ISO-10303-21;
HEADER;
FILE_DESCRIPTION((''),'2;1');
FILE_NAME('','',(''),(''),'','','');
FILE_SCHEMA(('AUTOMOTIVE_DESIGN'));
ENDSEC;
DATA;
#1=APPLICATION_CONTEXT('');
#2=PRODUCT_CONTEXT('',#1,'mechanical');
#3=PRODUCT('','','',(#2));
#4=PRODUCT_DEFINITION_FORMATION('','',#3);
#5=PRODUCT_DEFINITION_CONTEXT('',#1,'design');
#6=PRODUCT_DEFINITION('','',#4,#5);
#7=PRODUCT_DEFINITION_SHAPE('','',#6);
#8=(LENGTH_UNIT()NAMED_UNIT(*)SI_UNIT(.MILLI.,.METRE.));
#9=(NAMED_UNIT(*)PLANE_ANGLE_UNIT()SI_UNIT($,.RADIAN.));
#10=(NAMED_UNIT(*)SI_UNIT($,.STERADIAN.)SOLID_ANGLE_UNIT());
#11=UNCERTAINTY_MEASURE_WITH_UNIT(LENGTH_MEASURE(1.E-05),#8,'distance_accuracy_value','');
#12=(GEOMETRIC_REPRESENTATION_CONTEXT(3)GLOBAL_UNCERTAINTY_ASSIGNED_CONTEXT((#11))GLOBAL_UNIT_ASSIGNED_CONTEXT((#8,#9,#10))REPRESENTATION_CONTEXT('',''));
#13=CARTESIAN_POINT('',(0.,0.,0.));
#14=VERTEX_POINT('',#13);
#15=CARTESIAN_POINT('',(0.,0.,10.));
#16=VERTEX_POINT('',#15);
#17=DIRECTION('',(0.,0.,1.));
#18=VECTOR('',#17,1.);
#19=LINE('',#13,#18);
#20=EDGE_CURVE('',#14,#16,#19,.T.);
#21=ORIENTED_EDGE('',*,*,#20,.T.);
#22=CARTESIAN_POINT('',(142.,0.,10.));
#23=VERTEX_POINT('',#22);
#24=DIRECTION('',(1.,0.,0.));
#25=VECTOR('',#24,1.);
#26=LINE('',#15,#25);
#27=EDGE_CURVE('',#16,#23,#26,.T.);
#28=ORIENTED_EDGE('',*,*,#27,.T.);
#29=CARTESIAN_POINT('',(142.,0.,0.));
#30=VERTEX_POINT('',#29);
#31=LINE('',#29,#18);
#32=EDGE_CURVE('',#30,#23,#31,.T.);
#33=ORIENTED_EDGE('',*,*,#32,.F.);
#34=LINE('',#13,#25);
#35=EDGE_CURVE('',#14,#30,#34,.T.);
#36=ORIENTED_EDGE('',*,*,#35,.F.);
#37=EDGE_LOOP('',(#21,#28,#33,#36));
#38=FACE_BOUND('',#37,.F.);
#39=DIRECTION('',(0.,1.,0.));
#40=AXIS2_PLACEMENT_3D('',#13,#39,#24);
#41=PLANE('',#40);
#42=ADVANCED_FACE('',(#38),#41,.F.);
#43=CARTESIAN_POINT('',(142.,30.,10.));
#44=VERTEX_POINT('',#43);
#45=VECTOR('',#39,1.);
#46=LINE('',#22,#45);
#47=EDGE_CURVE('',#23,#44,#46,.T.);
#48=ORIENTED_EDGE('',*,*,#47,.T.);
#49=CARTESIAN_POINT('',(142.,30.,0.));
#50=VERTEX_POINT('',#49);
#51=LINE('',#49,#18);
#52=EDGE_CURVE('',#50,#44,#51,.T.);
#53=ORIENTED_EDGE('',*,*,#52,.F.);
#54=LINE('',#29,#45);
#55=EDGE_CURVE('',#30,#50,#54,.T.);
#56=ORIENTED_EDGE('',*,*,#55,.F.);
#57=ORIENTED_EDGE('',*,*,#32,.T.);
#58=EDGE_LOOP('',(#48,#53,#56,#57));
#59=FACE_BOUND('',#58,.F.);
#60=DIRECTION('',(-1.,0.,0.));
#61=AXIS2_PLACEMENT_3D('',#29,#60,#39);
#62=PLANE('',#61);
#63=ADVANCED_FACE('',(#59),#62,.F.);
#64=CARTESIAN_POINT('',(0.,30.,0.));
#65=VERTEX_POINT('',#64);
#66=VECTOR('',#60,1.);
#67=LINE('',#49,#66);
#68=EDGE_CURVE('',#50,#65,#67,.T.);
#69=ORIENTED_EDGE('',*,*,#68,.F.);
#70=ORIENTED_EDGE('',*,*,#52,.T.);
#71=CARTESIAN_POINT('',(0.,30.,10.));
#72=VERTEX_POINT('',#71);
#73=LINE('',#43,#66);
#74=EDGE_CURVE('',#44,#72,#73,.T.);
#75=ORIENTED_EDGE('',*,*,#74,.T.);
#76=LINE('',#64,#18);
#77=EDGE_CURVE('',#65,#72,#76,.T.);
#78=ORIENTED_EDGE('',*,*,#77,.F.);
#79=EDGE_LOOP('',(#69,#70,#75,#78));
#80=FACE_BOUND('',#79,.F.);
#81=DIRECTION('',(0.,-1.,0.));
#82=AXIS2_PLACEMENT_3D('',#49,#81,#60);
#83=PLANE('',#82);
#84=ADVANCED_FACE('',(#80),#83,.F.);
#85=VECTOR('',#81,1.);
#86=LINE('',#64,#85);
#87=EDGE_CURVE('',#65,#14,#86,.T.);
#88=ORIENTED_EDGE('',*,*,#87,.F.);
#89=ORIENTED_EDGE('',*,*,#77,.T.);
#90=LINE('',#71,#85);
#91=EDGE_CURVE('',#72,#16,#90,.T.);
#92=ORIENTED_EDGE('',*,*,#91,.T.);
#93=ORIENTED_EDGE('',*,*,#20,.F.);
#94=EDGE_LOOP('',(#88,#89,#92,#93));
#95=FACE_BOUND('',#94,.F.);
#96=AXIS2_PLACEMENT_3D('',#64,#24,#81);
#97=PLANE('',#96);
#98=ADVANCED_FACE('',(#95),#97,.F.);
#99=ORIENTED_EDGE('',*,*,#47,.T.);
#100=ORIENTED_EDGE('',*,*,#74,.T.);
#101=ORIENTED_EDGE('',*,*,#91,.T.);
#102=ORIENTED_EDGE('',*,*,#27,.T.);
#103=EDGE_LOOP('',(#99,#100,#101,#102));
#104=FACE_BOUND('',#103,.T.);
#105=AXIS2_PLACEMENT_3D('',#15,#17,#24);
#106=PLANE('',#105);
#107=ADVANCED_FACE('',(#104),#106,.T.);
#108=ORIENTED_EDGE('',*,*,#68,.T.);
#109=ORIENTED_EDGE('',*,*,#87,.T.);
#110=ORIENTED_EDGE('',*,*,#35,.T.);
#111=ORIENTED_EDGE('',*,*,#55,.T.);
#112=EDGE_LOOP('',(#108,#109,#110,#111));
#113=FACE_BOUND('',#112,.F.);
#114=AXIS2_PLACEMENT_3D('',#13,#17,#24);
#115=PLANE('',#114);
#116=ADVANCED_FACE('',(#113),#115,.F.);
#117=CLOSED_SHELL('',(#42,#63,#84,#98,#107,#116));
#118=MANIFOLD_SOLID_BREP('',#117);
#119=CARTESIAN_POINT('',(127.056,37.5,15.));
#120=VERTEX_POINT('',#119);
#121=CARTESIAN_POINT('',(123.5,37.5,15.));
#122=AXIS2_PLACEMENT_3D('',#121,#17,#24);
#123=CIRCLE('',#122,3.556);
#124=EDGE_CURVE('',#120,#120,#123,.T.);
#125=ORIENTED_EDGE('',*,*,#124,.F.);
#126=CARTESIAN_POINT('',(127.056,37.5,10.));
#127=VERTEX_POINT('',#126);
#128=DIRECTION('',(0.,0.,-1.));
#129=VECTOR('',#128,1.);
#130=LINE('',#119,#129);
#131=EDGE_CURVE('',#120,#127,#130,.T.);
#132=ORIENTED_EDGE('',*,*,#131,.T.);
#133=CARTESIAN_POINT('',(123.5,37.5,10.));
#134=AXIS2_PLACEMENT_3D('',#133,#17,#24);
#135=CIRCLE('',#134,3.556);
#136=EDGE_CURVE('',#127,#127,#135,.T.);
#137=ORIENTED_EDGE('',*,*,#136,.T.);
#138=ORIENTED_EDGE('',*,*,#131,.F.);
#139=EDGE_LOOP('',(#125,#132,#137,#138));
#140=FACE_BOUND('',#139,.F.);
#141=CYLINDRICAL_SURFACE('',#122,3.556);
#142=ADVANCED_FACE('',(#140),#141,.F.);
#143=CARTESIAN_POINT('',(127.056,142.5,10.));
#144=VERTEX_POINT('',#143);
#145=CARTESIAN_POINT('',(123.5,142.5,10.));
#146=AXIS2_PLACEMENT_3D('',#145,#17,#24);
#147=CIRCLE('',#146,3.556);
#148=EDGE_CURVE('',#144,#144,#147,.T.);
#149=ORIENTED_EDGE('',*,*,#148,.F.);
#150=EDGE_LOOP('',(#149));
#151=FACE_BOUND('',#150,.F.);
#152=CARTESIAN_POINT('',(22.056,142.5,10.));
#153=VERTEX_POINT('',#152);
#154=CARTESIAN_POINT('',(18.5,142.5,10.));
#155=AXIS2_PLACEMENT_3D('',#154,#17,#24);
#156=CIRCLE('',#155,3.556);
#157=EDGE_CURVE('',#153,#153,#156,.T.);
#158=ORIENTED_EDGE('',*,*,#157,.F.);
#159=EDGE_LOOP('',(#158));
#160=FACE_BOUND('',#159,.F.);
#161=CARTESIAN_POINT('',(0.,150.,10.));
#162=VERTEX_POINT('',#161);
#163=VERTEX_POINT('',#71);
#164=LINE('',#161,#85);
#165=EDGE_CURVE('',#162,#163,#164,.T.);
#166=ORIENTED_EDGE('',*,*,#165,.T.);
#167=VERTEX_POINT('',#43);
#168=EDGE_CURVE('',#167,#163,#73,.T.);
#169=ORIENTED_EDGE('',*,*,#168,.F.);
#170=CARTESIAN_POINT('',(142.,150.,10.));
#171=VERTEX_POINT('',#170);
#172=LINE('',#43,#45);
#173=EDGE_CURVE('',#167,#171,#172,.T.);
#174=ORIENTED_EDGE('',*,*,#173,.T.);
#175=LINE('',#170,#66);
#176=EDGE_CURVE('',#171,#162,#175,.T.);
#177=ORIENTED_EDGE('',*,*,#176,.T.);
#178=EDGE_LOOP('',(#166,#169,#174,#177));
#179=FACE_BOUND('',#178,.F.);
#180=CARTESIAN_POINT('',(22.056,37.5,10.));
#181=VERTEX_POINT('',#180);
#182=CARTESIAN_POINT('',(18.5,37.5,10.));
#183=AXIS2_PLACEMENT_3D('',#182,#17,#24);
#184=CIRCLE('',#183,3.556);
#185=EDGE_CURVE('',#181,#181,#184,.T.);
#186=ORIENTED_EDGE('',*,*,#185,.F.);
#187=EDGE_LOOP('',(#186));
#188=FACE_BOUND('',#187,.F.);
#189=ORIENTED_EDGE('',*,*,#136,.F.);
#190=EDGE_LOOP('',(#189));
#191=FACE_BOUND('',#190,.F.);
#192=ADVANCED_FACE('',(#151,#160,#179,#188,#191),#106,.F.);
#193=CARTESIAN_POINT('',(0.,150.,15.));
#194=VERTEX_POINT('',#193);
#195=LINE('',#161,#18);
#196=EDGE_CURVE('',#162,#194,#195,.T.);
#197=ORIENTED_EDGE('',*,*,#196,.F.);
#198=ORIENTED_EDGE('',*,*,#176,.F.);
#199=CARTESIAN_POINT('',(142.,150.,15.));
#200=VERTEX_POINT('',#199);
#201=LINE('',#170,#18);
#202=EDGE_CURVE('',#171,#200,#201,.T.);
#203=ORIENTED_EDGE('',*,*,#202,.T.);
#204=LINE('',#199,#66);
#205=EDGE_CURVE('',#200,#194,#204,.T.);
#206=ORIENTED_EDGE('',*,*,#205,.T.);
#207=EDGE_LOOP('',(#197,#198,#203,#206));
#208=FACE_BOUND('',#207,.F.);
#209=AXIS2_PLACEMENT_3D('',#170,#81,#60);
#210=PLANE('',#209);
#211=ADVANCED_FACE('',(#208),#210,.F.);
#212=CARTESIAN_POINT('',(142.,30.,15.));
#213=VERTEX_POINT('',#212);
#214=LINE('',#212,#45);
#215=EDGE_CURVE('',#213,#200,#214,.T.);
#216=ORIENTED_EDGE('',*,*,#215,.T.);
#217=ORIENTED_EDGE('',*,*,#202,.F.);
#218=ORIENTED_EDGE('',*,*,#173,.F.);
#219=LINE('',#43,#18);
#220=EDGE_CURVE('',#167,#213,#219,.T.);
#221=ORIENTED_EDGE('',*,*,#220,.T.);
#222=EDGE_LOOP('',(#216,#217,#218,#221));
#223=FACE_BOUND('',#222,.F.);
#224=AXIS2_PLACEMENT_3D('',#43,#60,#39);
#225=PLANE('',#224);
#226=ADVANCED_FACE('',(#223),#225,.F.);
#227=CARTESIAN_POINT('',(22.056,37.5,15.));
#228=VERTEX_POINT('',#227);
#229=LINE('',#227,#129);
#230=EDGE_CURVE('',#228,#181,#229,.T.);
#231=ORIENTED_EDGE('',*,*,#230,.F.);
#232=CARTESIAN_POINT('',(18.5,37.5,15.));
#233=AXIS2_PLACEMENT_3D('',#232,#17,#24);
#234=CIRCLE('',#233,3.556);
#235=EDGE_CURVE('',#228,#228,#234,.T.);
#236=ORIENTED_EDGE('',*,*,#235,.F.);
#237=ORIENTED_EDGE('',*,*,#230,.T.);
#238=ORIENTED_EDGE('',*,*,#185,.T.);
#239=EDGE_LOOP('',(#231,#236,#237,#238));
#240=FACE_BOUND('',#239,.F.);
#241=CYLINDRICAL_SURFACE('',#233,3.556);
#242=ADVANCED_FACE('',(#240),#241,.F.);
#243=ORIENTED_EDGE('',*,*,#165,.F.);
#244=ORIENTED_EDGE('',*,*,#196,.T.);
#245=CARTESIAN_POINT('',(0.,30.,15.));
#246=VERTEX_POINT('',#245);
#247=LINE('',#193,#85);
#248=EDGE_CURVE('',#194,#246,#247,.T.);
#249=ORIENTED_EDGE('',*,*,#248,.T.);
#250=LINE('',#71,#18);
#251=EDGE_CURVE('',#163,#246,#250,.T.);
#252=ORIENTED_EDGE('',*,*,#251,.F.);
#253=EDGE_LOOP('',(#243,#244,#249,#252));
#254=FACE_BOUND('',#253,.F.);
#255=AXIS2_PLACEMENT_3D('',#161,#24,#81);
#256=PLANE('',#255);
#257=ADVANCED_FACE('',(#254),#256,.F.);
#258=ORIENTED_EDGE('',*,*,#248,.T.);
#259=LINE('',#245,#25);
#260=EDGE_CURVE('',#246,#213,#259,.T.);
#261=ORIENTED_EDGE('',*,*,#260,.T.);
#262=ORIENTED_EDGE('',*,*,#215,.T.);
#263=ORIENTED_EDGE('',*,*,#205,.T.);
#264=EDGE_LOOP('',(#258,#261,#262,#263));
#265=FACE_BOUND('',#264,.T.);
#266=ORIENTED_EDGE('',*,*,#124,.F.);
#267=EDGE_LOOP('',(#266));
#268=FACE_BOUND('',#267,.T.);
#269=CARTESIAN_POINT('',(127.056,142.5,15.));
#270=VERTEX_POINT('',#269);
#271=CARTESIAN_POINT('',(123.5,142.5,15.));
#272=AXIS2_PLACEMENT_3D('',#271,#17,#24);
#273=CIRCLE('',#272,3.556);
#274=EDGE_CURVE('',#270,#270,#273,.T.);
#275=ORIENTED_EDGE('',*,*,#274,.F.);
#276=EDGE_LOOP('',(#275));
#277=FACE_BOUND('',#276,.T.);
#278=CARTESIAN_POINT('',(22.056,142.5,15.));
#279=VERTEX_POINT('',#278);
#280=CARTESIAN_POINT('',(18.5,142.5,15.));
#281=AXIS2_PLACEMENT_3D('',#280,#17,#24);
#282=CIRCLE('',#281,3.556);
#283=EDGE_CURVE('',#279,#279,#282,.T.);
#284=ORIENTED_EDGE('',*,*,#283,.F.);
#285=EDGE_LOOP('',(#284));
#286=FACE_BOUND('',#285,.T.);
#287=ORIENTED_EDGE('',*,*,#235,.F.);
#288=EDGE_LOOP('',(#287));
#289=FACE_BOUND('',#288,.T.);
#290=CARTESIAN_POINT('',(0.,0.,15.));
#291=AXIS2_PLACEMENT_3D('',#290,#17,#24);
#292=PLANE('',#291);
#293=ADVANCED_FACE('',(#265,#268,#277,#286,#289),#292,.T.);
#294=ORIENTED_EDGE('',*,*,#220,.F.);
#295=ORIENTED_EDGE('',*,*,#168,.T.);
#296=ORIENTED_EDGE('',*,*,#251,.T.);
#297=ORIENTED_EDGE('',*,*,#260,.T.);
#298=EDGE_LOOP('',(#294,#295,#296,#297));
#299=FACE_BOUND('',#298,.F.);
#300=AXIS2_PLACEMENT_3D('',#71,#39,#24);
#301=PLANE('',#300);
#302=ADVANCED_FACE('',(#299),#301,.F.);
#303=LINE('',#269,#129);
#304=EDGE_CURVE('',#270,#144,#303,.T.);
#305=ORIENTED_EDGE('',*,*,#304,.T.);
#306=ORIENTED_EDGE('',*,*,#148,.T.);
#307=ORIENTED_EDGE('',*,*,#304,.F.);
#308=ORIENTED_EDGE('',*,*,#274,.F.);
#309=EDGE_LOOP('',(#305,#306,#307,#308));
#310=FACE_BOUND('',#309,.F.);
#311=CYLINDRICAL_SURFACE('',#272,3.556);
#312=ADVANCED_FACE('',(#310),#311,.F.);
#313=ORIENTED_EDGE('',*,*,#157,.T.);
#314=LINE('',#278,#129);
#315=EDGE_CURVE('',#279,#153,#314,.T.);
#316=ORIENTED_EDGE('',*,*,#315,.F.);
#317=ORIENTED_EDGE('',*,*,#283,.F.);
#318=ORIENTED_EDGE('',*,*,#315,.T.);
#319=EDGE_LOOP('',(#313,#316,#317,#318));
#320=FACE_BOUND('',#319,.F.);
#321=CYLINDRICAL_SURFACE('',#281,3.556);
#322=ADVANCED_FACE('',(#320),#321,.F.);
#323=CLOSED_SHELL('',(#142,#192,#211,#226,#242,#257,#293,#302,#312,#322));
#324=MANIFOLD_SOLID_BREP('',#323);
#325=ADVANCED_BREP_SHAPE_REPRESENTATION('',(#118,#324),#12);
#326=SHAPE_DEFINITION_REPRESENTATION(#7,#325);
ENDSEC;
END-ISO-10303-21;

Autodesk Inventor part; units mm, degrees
ref_plane "YZ Plane" through (0, 0, 0) normal (1, 0, 0) x (0, 1, 0)
ref_plane "XZ Plane" through (0, 0, 0) normal (0, 1, 0) x (-1, 0, 0)
ref_plane "XY Plane" through (0, 0, 0) normal (0, 0, 1) x (1, 0, 0)
sketch "Sketch1" plane through (0, 0, 0) normal (0, 0, 1) x (1, 0, 0)
  line L0 (0, 0) -> (142, 0)
  line L1 (142, 0) -> (142, 30)
  line L2 (142, 30) -> (0, 30)
  line L3 (0, 30) -> (0, 0)
  dimension "d0" = 30
  dimension "d1" = 142
extrude "Extrusion1" add sketch "Sketch1" along normal blind 10
sketch "Sketch2" plane through (0, 0, 10) normal (0, 0, 1) x (1, 0, 0)
  line L0 (0, 30) -> (0, 0) projected
  line L1 (0, 30) -> (142, 30)
  line L2 (142, 30) -> (142, 150)
  line L3 (142, 150) -> (0, 150)
  line L4 (0, 150) -> (0, 30)
  dimension "d4" = 120
extrude "Extrusion2" add sketch "Sketch2" along normal blind 5
sketch "Sketch3" plane through (0, 0, 15) normal (0, 0, 1) x (1, 0, 0)
  line L0 (142, 30) -> (142, 150) construction
  line L1 (142, 150) -> (0, 150) construction
  line L2 (0, 150) -> (0, 30) construction
  line L3 (0, 30) -> (142, 30) construction
  line L4 (18.5, 142.5) -> (123.5, 142.5) construction
  line L5 (123.5, 142.5) -> (123.5, 37.5) construction
  line L6 (123.5, 37.5) -> (18.5, 37.5) construction
  line L7 (18.5, 37.5) -> (18.5, 142.5) construction
  line L8 (142, 150) -> (0, 150) projected
  line L9 (71, 150) -> (71, 142.5) construction
  circle A0 centre (18.5, 142.5) radius 3.556
  circle A1 centre (123.5, 142.5) radius 3.556
  circle A2 centre (123.5, 37.5) radius 3.556
  circle A3 centre (18.5, 37.5) radius 3.556
  line L10 (71, 37.5) -> (71, 30) construction
  point P0 (0, 0)
  dimension "d7" = 105
  dimension "d8" = 7.112
extrude "Extrusion3" cut sketch "Sketch3" against normal blind 5
properties part number "Fan_Mount"
